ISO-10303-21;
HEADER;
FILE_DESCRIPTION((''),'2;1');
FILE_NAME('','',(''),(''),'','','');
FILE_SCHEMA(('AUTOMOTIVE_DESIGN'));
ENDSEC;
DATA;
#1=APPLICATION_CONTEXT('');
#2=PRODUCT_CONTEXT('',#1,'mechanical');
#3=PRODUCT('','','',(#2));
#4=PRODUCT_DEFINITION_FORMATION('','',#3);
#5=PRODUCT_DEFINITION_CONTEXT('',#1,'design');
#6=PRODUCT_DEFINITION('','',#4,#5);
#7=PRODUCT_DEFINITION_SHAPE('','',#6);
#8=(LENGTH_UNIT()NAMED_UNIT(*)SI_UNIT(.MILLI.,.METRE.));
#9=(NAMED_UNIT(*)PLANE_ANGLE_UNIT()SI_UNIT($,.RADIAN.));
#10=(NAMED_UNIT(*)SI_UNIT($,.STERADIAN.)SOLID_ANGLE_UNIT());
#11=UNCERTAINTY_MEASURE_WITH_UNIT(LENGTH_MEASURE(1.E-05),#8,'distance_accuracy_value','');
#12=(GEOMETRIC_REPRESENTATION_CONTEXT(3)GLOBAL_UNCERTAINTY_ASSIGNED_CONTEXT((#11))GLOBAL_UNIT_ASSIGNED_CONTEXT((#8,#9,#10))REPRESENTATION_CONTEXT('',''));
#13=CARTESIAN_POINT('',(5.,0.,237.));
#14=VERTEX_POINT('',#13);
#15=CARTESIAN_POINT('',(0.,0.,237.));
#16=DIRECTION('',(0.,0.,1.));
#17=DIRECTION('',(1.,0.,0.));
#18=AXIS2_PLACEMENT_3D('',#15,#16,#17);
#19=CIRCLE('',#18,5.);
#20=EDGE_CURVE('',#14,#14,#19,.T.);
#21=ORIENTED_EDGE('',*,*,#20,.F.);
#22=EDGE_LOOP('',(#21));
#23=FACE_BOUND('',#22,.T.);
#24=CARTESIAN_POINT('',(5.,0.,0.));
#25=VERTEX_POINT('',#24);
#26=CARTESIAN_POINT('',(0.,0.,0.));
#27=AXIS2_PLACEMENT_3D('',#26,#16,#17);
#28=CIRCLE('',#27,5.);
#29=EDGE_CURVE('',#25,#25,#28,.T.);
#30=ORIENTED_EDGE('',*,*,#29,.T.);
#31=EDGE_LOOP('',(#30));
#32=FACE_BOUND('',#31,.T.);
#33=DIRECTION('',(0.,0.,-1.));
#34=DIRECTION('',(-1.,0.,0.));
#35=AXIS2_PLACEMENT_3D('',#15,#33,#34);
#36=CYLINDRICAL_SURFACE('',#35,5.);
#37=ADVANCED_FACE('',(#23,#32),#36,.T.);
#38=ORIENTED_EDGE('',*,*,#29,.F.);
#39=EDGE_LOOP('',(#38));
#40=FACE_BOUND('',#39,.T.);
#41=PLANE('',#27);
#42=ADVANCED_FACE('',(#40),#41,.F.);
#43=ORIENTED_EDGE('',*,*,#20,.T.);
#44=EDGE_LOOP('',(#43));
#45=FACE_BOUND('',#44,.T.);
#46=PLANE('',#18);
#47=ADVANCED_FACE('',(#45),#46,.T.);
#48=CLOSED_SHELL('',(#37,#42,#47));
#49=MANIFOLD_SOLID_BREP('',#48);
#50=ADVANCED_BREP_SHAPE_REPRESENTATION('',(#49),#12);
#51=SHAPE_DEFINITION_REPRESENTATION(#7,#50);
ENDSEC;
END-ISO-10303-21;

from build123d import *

# Parameters (mm, degrees)
SZKIC1_R                    = 5
DODANIE_WYCI_GNI_CIE1_DEPTH = 237


with BuildPart() as part:
    # Szkic1 → Dodanie-wyciągnięcie1 (new body)
    with BuildSketch(Plane.XY):
        Circle(SZKIC1_R)
    extrude(amount=DODANIE_WYCI_GNI_CIE1_DEPTH)


solid = part.part
